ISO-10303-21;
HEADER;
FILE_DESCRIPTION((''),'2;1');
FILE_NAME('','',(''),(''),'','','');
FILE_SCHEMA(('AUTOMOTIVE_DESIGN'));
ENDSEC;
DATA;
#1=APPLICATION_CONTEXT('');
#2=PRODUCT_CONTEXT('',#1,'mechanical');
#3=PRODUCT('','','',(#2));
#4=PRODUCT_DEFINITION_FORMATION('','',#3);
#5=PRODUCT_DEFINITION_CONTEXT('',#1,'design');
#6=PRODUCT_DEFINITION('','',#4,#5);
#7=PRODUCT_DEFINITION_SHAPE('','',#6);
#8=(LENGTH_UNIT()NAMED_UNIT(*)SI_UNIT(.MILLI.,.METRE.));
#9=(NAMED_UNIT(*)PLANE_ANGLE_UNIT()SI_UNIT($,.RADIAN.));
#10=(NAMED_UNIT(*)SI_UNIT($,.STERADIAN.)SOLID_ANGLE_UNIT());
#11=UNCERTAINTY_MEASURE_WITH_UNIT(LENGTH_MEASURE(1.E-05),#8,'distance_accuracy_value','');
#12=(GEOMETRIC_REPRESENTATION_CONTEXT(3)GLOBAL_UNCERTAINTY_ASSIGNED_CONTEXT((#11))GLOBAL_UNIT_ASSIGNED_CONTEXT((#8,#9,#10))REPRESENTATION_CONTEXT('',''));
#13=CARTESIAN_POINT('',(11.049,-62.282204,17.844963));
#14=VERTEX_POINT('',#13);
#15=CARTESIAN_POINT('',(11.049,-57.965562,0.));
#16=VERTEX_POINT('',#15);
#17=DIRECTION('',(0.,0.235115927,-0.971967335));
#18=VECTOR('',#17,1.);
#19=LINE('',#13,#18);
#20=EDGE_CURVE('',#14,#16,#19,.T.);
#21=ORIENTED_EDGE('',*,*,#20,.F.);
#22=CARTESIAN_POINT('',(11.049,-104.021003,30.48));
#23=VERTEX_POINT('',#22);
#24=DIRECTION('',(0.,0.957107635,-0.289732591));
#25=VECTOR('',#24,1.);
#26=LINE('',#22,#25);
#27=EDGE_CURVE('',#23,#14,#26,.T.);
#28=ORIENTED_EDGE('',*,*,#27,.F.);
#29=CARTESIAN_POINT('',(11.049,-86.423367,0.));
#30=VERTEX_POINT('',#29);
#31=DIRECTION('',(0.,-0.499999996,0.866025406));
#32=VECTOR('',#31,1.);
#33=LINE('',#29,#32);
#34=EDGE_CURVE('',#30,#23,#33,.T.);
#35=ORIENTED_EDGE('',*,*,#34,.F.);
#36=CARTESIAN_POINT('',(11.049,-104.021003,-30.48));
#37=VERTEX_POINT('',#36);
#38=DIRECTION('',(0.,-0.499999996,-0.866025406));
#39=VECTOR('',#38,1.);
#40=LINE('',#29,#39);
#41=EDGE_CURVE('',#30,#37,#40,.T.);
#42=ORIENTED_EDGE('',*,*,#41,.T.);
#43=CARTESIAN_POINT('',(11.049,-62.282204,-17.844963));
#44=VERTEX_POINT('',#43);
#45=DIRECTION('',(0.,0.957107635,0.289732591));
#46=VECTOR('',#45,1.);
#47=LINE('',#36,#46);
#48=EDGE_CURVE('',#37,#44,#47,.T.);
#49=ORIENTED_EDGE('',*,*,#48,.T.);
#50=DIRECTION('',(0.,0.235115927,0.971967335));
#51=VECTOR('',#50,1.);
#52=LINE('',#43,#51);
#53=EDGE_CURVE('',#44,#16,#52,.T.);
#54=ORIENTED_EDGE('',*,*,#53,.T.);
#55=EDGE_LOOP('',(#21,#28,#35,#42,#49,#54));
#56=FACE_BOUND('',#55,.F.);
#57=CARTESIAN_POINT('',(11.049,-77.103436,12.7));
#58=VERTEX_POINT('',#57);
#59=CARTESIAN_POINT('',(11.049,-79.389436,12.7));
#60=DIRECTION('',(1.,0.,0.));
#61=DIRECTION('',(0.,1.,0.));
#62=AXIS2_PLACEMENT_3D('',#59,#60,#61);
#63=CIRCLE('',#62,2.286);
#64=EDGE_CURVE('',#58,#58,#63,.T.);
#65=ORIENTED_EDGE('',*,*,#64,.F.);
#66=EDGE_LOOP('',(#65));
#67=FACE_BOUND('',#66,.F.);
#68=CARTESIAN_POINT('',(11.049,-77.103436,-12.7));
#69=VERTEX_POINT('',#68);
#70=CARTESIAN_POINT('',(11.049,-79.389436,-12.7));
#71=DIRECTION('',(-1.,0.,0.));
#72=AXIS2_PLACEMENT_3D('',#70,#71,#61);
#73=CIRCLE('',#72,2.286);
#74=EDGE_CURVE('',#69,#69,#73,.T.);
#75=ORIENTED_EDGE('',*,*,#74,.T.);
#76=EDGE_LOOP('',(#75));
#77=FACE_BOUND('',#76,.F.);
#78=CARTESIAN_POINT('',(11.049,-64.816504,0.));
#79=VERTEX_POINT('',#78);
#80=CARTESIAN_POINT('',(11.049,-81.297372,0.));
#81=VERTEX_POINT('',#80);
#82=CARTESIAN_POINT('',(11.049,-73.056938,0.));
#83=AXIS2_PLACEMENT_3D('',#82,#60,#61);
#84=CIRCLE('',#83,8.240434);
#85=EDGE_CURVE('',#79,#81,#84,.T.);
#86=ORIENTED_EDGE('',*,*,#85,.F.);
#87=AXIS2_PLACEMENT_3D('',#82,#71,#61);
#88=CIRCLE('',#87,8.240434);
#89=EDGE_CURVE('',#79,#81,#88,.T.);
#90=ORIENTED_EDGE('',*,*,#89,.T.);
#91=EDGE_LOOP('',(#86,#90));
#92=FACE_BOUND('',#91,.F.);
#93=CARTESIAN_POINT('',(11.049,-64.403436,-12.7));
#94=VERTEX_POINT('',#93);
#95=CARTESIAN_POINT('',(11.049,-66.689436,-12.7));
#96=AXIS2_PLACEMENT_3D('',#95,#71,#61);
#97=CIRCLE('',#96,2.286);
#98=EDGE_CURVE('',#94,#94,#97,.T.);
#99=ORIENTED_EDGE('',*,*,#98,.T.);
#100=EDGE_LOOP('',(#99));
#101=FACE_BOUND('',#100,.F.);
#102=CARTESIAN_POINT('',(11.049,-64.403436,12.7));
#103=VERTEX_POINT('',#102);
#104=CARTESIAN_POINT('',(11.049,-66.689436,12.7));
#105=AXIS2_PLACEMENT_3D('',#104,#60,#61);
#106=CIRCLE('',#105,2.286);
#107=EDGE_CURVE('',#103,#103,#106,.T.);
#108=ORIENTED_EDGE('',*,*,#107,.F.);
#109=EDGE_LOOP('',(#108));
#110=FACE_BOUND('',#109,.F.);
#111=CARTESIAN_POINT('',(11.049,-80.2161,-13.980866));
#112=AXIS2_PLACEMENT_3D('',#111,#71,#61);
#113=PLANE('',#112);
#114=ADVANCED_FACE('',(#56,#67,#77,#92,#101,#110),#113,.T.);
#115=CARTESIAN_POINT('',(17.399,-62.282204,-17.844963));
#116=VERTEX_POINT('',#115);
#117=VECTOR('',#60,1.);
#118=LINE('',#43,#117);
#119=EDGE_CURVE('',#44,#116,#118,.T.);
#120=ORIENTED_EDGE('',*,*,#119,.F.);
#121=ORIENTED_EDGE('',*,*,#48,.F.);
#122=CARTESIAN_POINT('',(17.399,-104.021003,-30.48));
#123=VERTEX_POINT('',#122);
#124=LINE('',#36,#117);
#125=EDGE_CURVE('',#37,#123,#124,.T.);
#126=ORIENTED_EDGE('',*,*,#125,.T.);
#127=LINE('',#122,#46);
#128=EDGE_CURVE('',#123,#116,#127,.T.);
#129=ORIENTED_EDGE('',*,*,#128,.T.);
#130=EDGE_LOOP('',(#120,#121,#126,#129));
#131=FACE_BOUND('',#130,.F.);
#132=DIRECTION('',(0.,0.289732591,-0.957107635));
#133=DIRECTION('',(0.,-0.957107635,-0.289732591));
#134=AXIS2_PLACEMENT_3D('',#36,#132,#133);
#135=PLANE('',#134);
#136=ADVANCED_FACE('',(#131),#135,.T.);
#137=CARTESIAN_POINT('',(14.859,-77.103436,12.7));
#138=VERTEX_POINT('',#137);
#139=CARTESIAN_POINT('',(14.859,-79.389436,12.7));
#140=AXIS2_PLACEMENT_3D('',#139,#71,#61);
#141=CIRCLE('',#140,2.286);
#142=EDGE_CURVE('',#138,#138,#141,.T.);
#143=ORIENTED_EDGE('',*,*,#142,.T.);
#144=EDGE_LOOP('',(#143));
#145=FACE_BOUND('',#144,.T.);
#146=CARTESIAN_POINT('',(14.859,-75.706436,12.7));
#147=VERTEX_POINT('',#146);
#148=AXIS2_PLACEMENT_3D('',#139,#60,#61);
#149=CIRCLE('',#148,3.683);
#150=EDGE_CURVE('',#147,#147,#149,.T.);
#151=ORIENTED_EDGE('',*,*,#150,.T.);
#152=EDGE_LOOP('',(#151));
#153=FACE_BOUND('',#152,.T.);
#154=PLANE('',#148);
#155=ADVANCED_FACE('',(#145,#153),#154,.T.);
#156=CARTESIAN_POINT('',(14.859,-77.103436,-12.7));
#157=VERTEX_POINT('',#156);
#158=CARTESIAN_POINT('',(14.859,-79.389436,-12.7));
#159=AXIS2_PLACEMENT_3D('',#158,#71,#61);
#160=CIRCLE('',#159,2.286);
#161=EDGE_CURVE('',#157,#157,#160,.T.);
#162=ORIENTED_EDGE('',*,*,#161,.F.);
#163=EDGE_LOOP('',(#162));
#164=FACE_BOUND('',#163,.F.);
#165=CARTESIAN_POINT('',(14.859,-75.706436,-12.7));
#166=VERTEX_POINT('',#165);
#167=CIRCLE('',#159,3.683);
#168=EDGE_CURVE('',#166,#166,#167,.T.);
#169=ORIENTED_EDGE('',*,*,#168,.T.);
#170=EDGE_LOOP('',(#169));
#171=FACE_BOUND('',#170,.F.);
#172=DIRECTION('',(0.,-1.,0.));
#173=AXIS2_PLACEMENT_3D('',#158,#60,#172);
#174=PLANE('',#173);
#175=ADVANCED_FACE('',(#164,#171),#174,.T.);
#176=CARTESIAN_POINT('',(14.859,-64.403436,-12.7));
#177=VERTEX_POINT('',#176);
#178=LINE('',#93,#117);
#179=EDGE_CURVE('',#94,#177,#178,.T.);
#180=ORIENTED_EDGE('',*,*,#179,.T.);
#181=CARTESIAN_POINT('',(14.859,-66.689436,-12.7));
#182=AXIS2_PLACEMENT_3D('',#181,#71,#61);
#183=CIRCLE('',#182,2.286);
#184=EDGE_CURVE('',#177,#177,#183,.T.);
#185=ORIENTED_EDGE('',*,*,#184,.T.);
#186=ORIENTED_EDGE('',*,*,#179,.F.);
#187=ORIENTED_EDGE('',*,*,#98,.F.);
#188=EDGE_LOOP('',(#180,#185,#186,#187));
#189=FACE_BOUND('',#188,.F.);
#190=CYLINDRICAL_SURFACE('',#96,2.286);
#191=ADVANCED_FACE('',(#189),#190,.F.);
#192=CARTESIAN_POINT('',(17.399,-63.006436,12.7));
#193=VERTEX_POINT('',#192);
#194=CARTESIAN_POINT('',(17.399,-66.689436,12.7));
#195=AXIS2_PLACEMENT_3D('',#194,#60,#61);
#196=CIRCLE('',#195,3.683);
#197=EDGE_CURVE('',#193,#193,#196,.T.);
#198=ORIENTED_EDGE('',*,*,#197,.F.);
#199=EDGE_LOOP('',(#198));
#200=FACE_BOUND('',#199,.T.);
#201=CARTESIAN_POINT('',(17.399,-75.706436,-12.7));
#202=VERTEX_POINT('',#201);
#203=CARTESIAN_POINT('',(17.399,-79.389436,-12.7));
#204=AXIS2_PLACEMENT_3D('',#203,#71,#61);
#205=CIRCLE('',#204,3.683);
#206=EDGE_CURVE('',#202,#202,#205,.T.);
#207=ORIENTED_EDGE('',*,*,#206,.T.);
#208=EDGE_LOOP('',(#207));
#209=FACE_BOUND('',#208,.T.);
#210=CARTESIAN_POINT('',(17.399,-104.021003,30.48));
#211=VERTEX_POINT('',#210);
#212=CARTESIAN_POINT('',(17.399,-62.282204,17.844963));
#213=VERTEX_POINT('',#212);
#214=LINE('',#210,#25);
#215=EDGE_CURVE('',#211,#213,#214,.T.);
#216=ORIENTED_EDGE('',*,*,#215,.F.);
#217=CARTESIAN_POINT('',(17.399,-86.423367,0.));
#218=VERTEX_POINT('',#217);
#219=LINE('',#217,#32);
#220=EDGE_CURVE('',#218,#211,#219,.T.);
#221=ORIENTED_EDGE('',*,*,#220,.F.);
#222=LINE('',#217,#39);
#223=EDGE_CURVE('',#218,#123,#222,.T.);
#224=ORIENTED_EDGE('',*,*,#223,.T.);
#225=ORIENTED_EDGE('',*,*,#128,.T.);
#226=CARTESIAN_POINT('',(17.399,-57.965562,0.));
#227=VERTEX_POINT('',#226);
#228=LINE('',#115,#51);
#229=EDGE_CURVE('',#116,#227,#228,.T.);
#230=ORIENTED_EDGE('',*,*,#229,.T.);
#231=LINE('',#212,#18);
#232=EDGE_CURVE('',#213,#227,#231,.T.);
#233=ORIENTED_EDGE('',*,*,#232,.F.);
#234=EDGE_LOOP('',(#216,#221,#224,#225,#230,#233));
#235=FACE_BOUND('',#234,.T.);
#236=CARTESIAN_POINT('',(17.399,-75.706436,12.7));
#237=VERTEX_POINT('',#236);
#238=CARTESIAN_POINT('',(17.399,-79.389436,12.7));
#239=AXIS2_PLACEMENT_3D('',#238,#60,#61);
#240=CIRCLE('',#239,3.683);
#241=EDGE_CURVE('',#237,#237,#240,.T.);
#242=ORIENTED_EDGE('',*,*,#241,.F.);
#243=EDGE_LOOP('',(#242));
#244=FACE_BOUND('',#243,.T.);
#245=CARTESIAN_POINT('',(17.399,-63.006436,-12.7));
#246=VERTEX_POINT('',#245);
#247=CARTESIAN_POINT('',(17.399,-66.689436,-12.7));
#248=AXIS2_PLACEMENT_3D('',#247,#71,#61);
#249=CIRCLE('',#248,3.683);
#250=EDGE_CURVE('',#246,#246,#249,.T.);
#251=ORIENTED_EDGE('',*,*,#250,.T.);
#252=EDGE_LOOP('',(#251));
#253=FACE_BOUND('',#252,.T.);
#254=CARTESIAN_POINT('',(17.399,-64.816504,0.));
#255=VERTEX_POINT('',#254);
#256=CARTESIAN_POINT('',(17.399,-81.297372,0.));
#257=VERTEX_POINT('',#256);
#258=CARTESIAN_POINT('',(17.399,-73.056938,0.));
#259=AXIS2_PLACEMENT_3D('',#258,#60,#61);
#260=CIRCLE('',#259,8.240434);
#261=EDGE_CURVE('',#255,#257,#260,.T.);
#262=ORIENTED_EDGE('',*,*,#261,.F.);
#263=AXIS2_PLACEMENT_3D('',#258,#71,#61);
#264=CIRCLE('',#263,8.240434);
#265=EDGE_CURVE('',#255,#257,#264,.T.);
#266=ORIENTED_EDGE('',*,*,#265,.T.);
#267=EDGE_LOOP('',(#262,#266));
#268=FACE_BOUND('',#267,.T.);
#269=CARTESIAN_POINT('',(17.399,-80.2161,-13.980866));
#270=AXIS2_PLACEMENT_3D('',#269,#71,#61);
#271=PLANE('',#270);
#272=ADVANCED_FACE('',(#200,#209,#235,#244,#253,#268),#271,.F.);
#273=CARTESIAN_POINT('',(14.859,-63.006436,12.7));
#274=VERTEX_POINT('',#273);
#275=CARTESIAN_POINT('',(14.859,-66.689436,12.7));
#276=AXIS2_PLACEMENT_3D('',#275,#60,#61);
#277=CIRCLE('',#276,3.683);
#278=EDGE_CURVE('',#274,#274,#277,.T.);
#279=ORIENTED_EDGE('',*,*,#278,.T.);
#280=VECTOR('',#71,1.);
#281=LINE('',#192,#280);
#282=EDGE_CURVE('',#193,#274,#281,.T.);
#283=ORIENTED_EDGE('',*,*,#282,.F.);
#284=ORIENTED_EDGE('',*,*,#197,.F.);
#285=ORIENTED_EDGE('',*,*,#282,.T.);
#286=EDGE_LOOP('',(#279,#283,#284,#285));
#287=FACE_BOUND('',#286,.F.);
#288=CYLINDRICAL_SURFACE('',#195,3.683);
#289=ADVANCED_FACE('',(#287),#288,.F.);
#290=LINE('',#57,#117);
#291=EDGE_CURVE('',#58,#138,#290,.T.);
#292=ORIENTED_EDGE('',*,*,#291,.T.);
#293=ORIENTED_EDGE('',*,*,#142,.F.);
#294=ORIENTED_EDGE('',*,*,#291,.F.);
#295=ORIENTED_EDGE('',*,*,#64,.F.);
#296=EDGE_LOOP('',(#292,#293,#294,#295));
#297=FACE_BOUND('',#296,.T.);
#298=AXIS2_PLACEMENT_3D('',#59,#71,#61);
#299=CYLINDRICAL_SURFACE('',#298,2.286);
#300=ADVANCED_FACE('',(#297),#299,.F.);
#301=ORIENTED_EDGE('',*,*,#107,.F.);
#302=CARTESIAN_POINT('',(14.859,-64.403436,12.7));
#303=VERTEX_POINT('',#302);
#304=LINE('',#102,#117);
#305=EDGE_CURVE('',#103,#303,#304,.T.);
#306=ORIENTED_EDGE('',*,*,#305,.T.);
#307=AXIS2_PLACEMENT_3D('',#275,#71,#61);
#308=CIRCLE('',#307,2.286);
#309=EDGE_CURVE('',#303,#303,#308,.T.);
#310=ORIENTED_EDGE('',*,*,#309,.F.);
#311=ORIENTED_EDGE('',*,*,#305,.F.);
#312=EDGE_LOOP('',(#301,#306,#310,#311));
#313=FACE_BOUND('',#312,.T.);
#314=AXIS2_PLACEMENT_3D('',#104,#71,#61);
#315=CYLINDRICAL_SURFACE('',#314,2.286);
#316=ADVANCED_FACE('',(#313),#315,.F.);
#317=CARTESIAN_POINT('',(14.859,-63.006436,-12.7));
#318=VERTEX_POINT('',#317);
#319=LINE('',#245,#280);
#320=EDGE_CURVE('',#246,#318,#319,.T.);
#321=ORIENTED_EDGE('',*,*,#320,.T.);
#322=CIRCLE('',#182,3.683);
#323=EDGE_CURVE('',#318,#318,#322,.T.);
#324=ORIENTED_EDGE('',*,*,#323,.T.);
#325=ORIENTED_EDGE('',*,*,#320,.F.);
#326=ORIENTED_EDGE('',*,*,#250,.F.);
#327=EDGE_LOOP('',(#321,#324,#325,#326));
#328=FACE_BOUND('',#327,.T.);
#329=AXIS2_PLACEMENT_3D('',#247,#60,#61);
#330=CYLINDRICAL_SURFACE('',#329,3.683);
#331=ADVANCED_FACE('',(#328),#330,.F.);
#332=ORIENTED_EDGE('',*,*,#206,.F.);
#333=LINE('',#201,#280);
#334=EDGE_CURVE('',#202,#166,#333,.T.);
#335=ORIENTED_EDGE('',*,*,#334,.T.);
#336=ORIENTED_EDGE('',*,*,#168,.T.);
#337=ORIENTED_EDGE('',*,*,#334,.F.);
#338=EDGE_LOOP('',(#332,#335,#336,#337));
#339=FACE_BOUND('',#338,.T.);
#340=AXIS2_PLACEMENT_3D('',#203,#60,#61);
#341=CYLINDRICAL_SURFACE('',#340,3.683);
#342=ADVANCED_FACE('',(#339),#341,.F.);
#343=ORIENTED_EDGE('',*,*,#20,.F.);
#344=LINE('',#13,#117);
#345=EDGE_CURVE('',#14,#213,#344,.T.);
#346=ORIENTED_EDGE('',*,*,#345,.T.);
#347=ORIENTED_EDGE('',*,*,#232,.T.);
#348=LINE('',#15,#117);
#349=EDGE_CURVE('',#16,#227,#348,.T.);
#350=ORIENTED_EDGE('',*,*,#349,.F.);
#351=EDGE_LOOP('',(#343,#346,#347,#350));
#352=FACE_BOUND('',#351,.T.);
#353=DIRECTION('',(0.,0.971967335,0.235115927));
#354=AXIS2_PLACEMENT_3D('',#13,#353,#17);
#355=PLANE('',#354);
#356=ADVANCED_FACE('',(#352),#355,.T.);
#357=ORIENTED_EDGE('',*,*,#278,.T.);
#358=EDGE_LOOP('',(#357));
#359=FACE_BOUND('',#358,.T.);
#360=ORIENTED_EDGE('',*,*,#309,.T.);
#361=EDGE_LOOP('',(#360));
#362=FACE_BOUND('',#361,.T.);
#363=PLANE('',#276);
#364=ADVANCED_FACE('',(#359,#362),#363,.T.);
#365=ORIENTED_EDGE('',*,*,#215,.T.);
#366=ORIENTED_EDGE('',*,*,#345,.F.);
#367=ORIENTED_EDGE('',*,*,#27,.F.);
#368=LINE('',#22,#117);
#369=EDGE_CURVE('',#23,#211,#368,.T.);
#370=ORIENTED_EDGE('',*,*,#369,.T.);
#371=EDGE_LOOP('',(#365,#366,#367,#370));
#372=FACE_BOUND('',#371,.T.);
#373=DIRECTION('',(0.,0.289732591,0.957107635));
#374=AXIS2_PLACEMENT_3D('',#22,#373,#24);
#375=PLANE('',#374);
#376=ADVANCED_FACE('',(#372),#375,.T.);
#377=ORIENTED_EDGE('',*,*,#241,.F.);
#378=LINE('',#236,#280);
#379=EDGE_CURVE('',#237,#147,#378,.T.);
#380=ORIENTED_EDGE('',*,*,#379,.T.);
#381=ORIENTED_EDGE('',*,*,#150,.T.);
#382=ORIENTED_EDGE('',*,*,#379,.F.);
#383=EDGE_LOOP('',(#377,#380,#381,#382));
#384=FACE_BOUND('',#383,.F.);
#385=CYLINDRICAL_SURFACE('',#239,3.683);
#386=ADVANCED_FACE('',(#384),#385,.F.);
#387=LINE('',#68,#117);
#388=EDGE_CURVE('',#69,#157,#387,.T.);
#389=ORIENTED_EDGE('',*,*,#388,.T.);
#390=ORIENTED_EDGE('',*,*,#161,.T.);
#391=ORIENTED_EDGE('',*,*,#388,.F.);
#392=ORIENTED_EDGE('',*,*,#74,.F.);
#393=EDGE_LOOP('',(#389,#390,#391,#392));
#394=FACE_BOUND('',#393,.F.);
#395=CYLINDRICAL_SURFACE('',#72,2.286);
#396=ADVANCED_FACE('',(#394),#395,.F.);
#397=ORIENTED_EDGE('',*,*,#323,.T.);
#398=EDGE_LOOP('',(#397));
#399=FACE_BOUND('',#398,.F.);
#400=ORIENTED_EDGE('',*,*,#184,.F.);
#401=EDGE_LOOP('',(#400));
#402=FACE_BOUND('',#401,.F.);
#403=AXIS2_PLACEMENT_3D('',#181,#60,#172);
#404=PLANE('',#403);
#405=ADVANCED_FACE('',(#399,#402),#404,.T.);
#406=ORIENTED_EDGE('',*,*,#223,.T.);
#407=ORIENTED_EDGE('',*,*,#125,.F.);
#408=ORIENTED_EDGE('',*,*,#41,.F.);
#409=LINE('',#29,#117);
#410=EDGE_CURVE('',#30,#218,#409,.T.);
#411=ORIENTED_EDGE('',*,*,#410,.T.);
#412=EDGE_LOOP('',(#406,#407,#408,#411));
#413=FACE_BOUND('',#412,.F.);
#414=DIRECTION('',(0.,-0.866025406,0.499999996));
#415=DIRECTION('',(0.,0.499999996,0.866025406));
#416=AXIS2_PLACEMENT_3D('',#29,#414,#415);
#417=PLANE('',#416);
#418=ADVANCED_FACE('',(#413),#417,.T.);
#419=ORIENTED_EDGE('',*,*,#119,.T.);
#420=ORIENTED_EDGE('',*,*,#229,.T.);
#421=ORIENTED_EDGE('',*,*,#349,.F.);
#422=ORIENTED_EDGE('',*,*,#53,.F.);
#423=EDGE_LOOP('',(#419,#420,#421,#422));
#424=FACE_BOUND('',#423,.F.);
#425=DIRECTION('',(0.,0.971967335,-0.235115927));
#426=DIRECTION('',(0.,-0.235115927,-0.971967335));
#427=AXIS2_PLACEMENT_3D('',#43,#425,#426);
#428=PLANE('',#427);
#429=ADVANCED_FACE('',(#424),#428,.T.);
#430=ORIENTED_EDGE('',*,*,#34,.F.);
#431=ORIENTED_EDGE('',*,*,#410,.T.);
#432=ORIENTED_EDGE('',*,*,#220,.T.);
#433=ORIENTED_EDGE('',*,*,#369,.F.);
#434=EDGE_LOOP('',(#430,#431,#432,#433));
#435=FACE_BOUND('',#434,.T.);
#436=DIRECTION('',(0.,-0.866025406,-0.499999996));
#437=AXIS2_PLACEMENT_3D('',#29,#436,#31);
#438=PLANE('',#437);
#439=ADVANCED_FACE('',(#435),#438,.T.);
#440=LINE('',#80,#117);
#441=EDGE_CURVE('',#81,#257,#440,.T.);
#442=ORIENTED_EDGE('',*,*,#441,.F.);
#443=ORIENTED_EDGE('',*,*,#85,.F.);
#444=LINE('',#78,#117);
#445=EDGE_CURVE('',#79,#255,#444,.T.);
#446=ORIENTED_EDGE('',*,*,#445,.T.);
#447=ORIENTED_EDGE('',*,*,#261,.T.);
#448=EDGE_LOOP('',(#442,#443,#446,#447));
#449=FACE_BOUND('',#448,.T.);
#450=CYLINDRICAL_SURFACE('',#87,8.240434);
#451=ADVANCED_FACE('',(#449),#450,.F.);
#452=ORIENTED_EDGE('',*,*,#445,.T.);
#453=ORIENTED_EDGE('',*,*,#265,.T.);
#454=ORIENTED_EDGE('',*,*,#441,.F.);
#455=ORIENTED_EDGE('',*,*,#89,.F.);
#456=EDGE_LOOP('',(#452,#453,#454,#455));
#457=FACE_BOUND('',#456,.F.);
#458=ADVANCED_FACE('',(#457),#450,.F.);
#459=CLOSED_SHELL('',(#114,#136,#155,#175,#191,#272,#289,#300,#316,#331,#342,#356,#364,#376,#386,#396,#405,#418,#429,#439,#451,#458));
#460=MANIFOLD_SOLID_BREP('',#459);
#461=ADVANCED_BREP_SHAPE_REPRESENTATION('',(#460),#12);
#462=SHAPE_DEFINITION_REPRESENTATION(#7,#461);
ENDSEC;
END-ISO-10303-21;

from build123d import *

# Parameters (mm, degrees)
SKETCH116_R     = 2.286
PAD042_DEPTH    = 6.35
SKETCH117_R     = 3.683
POCKET041_DEPTH = 2.54


with BuildPart() as part:
    # Sketch116 → Pad042 (new body)
    with BuildSketch(Plane.YZ):
        with BuildLine():
            Line((-86.423367, 0), (-104.021003, 30.48))
            Line((-104.021003, 30.48), (-62.282204, 17.844963))
            Line((-62.282204, 17.844963), (-57.965562, 0))
            Line((-64.816504, 0), (-57.965562, 0))
            ThreePointArc((-64.816504, 0), (-73.056938, 8.240434), (-81.297372, 0))
            Line((-86.423367, 0), (-81.297372, 0))
        make_face()
        with Locations((-79.389436, 12.7)):
            Circle(SKETCH116_R, mode=Mode.SUBTRACT)
        with Locations((-66.689436, 12.7)):
            Circle(SKETCH116_R, mode=Mode.SUBTRACT)
    pad042 = extrude(amount=PAD042_DEPTH)

    # Sketch117 → Pocket041 (cut)
    with BuildSketch(Plane.YZ.offset(6.35)):
        with Locations((-79.389436, 12.7)):
            Circle(SKETCH117_R)
        with Locations((-66.689436, 12.7)):
            Circle(SKETCH117_R)
    pocket041 = extrude(amount=-POCKET041_DEPTH, mode=Mode.SUBTRACT)

    # Mirrored003: Pad042, Pocket041 across XY
    add(pad042.mirror(Plane.XY))
    add(pocket041.mirror(Plane.XY), mode=Mode.SUBTRACT)


with BuildPart() as part_1:
    # Body033 placement: moved
    add(part.part.moved(Location((11.049, 0, 0))))


solid = part_1.part
